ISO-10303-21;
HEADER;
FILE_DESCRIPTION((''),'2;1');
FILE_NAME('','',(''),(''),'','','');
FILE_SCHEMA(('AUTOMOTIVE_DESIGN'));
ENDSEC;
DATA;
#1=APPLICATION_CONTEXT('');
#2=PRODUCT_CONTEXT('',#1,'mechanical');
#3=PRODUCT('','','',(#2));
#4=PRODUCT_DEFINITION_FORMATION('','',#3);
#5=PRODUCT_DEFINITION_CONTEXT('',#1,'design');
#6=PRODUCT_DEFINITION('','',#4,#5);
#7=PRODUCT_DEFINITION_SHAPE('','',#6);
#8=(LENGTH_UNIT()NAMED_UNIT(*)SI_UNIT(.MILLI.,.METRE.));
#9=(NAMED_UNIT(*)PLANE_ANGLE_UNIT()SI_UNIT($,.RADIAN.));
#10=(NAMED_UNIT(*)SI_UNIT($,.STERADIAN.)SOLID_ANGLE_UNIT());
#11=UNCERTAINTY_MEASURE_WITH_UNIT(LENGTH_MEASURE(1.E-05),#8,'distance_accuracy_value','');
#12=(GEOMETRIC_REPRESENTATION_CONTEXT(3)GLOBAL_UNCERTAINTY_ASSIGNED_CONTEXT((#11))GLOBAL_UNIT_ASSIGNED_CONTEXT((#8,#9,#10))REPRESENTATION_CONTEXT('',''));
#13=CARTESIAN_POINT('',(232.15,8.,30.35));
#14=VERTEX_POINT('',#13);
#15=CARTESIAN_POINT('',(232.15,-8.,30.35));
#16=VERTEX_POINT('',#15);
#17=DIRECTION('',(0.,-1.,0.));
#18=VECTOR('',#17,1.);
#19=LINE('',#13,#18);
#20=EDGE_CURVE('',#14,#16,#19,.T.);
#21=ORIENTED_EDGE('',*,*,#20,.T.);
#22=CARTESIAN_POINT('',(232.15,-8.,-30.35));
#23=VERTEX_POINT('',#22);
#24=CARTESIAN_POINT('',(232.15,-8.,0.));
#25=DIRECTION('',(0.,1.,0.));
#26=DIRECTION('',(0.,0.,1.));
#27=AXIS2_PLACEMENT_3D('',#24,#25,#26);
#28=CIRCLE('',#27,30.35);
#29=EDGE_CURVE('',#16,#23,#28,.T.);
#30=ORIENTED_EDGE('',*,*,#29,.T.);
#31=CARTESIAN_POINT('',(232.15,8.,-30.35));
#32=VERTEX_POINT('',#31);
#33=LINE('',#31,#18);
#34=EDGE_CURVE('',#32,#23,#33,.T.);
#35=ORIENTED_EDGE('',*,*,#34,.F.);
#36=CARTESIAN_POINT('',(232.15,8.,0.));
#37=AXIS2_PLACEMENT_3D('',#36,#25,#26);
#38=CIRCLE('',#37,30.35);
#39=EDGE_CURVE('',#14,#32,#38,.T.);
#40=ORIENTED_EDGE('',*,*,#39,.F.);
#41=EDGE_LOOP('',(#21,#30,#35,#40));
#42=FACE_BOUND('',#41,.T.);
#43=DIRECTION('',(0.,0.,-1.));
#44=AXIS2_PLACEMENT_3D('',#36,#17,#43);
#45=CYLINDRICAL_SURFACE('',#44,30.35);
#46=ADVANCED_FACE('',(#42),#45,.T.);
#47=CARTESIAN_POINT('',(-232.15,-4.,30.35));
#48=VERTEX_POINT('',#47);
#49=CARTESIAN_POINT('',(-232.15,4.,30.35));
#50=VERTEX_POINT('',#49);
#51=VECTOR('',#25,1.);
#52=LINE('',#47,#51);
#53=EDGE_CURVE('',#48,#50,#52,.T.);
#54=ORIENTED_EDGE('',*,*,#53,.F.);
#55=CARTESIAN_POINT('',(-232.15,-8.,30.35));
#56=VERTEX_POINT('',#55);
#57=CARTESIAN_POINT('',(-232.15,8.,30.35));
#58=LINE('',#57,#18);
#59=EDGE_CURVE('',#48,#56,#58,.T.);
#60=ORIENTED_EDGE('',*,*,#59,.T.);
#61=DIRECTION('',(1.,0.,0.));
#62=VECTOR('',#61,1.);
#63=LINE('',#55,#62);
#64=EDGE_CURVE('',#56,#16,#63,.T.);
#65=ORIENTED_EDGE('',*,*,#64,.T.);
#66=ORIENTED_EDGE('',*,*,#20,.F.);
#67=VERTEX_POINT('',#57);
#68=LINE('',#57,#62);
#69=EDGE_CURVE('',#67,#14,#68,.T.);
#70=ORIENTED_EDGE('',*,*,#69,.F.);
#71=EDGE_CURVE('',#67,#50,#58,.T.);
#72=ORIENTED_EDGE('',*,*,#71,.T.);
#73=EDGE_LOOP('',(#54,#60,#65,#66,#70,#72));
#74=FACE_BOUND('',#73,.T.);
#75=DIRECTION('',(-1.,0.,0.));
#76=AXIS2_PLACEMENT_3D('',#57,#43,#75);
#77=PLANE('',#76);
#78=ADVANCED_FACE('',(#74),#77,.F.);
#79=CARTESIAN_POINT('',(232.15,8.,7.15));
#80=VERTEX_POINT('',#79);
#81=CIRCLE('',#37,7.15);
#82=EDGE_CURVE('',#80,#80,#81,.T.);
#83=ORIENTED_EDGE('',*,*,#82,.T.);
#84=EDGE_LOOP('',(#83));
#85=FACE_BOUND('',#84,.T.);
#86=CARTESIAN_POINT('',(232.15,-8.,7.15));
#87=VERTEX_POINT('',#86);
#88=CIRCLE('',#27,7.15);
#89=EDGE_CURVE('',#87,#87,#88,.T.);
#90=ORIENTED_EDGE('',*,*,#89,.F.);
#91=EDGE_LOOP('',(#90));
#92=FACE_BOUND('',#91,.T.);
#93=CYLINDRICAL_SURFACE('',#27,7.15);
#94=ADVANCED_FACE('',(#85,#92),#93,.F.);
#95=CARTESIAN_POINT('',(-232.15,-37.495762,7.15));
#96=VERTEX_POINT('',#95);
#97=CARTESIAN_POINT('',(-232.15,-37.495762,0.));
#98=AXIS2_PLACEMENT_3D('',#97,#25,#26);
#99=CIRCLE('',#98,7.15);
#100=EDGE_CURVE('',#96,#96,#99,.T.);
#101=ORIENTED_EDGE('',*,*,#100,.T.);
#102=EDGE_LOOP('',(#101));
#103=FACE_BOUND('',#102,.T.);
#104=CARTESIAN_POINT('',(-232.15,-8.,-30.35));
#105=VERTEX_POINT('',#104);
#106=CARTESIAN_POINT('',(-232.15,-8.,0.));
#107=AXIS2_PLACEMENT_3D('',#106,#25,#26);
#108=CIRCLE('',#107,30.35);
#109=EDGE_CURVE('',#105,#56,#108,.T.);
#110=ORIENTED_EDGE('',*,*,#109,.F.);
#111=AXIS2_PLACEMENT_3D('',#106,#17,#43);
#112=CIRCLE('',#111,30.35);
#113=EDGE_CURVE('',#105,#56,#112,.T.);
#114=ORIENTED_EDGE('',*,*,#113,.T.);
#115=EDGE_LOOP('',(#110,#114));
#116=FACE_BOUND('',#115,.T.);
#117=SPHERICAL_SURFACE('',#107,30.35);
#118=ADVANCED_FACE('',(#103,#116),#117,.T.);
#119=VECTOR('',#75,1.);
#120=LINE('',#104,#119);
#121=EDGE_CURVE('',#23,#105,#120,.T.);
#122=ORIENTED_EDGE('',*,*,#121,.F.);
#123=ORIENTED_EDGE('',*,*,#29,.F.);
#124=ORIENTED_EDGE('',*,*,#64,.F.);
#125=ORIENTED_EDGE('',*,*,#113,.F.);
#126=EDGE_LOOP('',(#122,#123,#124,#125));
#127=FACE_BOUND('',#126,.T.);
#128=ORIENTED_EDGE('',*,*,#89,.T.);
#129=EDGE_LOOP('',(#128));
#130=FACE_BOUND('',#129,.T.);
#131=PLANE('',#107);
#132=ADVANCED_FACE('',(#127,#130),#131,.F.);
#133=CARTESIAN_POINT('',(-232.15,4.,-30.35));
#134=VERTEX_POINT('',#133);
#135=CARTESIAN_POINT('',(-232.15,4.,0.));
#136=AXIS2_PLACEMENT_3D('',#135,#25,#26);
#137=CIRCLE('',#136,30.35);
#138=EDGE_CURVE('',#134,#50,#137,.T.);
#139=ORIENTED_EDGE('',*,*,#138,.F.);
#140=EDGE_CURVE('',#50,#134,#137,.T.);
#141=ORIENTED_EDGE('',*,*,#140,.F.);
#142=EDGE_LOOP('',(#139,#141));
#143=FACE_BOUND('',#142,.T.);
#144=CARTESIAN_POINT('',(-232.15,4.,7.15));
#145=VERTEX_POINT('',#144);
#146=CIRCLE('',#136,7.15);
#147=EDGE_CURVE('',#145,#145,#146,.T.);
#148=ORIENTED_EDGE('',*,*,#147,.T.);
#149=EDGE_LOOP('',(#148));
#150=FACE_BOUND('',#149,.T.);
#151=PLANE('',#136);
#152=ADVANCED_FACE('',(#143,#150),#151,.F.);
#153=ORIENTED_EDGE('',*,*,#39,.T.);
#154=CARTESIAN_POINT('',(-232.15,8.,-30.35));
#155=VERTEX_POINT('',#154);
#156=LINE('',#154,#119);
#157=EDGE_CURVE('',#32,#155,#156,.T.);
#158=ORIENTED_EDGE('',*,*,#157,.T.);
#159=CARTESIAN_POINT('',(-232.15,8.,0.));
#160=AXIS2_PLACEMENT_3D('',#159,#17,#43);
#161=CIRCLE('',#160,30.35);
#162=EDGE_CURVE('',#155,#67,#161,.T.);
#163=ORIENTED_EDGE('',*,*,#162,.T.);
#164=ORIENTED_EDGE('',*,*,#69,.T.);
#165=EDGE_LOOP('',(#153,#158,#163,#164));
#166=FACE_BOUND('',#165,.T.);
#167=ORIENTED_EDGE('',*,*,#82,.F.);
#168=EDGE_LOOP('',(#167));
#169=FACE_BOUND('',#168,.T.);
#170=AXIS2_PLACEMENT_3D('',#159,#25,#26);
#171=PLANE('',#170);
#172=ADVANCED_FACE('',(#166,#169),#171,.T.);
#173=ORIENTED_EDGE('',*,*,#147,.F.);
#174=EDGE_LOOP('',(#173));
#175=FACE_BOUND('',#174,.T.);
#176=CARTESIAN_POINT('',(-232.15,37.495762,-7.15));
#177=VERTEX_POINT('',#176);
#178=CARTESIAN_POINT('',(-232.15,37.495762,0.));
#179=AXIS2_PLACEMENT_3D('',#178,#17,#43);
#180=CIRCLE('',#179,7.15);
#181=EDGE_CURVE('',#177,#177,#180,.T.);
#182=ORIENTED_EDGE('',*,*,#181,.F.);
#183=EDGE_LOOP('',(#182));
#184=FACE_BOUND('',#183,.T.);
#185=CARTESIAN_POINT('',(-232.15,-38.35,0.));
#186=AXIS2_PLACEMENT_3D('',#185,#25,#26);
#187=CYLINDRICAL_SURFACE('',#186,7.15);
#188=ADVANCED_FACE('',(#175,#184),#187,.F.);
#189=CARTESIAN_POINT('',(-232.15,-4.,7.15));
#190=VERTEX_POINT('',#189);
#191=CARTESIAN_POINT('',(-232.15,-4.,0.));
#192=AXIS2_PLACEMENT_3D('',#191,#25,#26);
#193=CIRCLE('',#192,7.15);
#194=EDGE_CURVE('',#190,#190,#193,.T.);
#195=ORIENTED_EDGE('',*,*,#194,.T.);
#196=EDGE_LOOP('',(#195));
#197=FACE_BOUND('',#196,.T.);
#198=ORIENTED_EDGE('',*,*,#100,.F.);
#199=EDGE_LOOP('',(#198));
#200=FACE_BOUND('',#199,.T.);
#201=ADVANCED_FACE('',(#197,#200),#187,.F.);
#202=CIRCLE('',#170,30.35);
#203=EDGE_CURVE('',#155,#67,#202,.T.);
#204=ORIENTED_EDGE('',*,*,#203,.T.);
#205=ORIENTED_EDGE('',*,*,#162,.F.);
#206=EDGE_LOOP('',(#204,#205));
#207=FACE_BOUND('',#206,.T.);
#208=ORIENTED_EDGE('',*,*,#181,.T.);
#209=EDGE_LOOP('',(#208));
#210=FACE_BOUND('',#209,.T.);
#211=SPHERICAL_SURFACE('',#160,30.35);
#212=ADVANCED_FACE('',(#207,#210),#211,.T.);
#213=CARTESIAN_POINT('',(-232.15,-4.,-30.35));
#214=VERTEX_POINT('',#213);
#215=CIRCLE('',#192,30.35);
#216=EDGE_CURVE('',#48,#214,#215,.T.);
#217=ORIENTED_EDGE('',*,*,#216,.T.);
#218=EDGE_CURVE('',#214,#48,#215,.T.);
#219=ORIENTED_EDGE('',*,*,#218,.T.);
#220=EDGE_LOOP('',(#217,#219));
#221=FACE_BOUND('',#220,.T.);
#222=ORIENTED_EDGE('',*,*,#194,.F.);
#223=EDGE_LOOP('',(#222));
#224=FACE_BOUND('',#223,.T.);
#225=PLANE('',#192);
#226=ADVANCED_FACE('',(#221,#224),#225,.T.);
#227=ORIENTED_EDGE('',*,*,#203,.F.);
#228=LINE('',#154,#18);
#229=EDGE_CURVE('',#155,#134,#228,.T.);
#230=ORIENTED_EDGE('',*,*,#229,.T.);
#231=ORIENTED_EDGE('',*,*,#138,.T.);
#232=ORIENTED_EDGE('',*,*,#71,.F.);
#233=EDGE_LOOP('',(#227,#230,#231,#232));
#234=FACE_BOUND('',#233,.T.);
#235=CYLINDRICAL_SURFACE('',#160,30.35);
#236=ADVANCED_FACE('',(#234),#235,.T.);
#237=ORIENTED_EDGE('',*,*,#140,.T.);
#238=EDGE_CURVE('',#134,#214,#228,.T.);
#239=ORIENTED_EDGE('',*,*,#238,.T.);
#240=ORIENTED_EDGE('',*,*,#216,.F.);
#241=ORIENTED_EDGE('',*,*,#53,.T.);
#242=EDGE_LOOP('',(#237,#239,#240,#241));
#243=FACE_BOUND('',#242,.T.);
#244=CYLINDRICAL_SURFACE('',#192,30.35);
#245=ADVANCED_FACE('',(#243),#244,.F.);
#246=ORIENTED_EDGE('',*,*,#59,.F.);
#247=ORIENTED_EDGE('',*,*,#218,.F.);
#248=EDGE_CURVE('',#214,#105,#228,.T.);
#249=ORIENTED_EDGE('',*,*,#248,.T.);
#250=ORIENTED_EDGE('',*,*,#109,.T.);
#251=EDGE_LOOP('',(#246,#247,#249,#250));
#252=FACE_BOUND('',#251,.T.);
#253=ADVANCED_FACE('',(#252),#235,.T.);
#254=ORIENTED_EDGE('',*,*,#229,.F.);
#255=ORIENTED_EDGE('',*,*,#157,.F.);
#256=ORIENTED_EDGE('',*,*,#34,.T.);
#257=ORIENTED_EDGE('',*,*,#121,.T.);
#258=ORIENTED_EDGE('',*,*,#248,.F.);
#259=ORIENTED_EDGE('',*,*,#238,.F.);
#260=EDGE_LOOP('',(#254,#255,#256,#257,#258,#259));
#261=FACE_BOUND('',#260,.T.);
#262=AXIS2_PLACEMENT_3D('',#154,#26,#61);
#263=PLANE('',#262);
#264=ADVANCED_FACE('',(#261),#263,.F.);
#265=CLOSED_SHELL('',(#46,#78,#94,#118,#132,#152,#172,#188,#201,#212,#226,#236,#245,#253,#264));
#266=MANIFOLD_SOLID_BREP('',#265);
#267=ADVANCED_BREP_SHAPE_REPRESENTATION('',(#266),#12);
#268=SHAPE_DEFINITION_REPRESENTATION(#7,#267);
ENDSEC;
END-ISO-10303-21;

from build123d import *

# Parameters (mm, degrees)
BOSS_EXTRU_1_DEPTH           = 8
ESQUISSE2_R                  = 7.15
ENL_V_MAT_EXTRU_1_DEPTH      = 265.732643435
R_VOLUTION1_ANGLE            = 180
ESQUISSE4_R                  = 30.35
ENL_V_MAT_EXTRU_2_DEPTH      = 4
ENL_V_MAT_EXTRU_3_DEPTH      = 268.017031292
ENL_V_MAT_EXTRU_3_DEPTH_BACK = 268.017031292
ESQUISSE5_R                  = 7.15


with BuildPart() as part:
    # Esquisse1 → Boss.-Extru.1 (new, symmetric)
    with BuildSketch(Plane(origin=(0, 0, 0), x_dir=(1, 0, 0), z_dir=(0, 1, 0))):
        with BuildLine():
            Line((-232.15, 30.35), (232.15, 30.35))
            ThreePointArc((232.15, 30.35), (262.5, 0), (232.15, -30.35))
            Line((232.15, -30.35), (-232.15, -30.35))
            ThreePointArc((-232.15, -30.35), (-262.5, 0), (-232.15, 30.35))
        make_face()
    extrude(amount=BOSS_EXTRU_1_DEPTH, both=True)

    # Esquisse2 → Enlèv. mat.-Extru.1 (cut, through all)
    with BuildSketch(Plane(origin=(0, 8, 0), x_dir=(1, 0, 0), z_dir=(0, 1, 0))):
        with Locations(Location((232.15, 0, 0), (0, 0, 270))):
            Circle(ESQUISSE2_R)
    extrude(amount=-ENL_V_MAT_EXTRU_1_DEPTH, mode=Mode.SUBTRACT)

    # Esquisse3 → Révolution1 (revolve)
    with BuildSketch(Plane(origin=(0, 8, 0), x_dir=(1, 0, 0), z_dir=(0, 1, 0))):
        with BuildLine():
            Line((-232.15, 30.35), (-232.15, -30.35))
            ThreePointArc((-232.15, -30.35), (-262.5, 0), (-232.15, 30.35))
        make_face()
    r_volution1 = revolve(axis=Axis((-232.15, 8, -30.35), (0, 0, -1)), revolution_arc=R_VOLUTION1_ANGLE)

    # Symétrie1: Révolution1 across plane
    add(r_volution1.mirror(Plane.ZX))

    # Esquisse4 → Enlèv. mat.-Extru.2 (cut, symmetric)
    with BuildSketch(Plane(origin=(0, 0, 0), x_dir=(1, 0, 0), z_dir=(0, 1, 0))):
        with Locations((-232.15, 0)):
            Circle(ESQUISSE4_R)
    extrude(amount=ENL_V_MAT_EXTRU_2_DEPTH, both=True, mode=Mode.SUBTRACT)

    # Esquisse5 → Enlèv. mat.-Extru.3 (cut, two sides: drawn at the far end of the back side and taken through both)
    with BuildSketch(Plane(origin=(0, 0, 0), x_dir=(1, 0, 0), z_dir=(0, 1, 0)).offset(-ENL_V_MAT_EXTRU_3_DEPTH_BACK)):
        with Locations(Location((-232.15, 0, 0), (0, 0, 270))):
            Circle(ESQUISSE5_R)
    extrude(amount=ENL_V_MAT_EXTRU_3_DEPTH + ENL_V_MAT_EXTRU_3_DEPTH_BACK, mode=Mode.SUBTRACT)


solid = part.part
